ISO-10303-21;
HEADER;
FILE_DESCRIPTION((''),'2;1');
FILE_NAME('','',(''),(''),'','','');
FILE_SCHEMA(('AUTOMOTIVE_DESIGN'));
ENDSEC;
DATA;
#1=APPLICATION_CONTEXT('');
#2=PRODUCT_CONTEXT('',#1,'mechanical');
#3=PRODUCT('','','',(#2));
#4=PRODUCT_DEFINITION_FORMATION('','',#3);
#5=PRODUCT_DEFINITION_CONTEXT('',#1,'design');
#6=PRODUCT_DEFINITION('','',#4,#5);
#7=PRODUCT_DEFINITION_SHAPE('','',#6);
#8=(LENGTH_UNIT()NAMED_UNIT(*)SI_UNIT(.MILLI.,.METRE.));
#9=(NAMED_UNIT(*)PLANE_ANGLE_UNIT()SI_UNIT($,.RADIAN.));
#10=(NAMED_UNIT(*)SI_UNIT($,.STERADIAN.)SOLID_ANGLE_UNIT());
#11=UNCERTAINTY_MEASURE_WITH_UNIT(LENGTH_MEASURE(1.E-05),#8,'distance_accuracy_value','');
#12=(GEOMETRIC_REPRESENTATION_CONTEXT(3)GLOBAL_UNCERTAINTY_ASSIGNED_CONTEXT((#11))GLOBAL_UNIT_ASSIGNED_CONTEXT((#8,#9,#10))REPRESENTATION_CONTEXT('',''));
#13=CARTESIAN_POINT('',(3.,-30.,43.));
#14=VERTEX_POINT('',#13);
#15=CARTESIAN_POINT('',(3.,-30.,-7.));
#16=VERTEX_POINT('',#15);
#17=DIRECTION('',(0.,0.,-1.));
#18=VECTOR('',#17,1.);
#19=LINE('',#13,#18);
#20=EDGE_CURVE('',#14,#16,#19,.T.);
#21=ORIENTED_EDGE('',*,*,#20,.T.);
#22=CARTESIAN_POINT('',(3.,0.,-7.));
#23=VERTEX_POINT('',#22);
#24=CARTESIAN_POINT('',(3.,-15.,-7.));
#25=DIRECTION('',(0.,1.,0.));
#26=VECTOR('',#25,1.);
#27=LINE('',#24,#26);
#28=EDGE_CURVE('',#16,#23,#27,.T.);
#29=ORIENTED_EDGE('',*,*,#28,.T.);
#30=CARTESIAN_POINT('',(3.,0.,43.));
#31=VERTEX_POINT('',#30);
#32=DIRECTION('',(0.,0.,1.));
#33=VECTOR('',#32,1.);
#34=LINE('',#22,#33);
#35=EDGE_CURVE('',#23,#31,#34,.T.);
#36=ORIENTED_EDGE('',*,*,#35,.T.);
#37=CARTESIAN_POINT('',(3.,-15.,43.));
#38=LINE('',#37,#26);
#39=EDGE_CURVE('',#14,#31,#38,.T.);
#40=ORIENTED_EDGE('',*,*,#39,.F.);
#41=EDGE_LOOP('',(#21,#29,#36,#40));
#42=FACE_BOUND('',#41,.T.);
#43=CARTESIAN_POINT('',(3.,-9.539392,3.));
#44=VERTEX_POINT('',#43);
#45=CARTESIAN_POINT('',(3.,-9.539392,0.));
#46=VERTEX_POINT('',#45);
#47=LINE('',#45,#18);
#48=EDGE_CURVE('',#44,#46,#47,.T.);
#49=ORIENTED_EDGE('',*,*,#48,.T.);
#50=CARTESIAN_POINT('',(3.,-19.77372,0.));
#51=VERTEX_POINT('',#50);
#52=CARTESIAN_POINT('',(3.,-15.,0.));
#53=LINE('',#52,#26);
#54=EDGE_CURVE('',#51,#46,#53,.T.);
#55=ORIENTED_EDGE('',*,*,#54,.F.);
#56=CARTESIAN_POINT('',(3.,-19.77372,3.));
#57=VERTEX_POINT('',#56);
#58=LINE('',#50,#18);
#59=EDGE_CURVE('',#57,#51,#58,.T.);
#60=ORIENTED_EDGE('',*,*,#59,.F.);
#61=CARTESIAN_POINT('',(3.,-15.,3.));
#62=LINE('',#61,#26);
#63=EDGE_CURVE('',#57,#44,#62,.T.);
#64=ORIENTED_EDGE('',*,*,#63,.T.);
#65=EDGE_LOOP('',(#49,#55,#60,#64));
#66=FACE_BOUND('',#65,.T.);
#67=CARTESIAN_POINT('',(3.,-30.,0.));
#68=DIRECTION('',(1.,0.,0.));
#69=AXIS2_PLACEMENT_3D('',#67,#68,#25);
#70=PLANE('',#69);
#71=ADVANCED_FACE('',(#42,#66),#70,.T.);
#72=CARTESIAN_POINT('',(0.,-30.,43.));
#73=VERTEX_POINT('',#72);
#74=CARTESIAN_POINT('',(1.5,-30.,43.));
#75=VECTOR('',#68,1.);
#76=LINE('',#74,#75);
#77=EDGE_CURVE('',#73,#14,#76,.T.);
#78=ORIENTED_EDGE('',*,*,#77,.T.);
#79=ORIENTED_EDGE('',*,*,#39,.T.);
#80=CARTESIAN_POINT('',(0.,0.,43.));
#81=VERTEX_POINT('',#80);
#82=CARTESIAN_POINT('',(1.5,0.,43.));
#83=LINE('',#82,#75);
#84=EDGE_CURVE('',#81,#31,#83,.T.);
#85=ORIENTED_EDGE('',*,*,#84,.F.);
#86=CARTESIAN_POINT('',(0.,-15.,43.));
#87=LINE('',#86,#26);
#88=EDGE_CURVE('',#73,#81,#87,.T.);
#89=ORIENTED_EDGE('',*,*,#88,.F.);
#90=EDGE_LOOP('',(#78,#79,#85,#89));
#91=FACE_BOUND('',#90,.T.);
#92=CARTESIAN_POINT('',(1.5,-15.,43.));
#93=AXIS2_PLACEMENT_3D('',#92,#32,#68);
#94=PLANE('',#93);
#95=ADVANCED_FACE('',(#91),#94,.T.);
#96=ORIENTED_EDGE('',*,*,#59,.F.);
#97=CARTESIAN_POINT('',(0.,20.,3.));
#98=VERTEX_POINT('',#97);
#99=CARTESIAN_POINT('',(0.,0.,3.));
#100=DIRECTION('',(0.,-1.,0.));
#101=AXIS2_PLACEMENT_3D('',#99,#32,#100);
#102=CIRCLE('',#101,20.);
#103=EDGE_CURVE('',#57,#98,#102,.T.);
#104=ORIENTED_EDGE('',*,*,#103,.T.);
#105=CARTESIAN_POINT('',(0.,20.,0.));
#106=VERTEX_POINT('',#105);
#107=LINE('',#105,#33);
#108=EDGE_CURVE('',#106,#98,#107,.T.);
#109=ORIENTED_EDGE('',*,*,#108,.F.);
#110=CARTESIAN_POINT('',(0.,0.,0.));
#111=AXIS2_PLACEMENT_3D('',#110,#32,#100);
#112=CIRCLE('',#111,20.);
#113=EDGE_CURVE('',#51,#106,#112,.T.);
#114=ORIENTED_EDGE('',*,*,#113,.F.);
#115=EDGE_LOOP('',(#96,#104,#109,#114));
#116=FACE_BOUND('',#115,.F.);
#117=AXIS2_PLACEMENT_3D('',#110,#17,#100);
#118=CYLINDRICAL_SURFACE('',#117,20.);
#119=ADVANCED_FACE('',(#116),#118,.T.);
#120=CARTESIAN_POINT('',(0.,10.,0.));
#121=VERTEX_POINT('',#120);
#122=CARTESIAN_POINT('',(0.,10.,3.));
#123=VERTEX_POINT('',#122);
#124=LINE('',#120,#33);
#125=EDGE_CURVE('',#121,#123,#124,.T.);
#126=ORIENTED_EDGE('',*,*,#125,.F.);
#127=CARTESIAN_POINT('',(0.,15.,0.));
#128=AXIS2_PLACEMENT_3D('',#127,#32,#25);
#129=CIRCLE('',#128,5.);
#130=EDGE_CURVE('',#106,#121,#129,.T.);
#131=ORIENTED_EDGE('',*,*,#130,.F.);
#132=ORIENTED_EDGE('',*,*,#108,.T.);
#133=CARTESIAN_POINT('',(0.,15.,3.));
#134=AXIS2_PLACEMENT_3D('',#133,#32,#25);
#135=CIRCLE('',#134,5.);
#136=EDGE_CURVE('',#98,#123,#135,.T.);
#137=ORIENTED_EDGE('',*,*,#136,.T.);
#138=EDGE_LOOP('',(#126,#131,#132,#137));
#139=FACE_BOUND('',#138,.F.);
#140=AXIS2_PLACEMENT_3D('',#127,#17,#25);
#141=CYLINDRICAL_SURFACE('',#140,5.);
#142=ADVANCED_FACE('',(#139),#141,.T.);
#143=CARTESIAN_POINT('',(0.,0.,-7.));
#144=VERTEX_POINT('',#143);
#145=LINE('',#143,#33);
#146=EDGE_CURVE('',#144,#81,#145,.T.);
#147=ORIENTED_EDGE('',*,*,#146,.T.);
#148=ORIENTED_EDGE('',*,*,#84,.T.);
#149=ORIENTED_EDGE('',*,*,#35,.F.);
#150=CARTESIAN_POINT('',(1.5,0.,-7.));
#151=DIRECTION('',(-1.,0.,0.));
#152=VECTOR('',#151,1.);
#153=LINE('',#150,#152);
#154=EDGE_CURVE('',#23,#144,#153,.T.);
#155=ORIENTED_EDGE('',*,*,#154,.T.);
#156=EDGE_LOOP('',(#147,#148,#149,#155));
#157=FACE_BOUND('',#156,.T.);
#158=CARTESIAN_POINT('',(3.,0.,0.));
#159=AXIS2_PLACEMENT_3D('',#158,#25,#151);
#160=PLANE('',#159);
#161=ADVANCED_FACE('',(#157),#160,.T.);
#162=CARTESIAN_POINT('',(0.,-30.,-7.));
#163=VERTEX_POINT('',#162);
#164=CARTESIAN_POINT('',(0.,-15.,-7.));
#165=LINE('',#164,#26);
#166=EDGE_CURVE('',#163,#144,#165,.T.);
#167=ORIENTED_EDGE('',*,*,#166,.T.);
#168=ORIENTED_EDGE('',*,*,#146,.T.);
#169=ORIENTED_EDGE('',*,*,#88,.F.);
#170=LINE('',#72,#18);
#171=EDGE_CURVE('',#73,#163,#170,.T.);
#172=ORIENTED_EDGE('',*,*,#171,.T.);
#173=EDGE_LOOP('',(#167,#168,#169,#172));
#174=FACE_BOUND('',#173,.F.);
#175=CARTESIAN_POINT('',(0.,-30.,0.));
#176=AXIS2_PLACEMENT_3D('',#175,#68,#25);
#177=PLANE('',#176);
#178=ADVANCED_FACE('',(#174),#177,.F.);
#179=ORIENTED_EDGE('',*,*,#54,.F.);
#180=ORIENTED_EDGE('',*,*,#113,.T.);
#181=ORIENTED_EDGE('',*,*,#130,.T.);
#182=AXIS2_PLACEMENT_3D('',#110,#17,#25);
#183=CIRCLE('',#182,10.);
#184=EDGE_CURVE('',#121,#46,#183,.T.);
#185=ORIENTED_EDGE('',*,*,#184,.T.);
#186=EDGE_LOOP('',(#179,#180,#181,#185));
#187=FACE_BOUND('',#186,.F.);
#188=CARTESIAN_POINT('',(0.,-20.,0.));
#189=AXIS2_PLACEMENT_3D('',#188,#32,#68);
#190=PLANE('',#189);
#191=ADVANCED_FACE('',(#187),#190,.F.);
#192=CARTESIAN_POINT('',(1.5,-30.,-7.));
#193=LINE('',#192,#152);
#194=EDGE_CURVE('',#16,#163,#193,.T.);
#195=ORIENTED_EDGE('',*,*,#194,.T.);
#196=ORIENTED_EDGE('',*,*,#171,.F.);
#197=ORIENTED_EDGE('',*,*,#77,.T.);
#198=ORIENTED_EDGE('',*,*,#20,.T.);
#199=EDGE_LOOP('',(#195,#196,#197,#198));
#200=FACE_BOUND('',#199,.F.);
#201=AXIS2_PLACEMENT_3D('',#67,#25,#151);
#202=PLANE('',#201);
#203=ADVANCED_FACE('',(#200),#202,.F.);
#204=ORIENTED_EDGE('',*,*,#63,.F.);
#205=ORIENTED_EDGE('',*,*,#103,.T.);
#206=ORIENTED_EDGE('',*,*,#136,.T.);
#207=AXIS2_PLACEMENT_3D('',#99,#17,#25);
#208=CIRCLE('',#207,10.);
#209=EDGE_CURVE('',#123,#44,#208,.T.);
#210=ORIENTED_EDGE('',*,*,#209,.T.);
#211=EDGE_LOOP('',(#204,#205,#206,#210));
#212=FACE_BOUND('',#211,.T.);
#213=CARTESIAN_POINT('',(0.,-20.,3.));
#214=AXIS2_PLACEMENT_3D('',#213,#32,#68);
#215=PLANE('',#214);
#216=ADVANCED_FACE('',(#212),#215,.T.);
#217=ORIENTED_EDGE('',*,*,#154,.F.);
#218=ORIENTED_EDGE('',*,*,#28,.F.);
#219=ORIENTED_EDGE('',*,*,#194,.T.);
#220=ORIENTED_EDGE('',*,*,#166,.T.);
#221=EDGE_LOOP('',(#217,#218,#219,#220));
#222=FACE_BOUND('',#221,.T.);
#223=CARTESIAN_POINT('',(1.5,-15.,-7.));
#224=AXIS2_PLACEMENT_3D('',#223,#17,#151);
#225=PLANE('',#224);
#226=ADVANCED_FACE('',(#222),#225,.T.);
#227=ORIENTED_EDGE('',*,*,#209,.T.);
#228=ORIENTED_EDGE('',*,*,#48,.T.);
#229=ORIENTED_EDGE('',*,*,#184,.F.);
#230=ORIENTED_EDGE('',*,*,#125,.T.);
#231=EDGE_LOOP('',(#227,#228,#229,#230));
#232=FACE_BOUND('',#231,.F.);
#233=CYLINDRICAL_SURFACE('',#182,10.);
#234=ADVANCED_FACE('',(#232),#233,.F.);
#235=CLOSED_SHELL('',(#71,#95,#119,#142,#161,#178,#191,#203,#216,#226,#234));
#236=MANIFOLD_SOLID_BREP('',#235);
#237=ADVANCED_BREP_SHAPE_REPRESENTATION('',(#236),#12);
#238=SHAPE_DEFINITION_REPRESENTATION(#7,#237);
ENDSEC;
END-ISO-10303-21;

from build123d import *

# Parameters (mm, degrees)
BOSS_EXTRUDE1_DEPTH = 3
SKETCH2_W           = 3
SKETCH2_H           = 10
BOSS_EXTRUDE2_DEPTH = 3
SKETCH3_W           = 3
SKETCH3_H           = 3
BOSS_EXTRUDE3_DEPTH = 20
SKETCH4_W           = 3
SKETCH4_H           = 3
BOSS_EXTRUDE4_DEPTH = 10
SKETCH5_W           = 3
SKETCH5_H           = 30
BOSS_EXTRUDE5_DEPTH = 40
SKETCH6_W           = 3
SKETCH6_H           = 30
BOSS_EXTRUDE6_DEPTH = 7


with BuildPart() as part:
    # Sketch1 → Boss-Extrude1 (new body)
    with BuildSketch(Plane.XY):
        with BuildLine():
            ThreePointArc((0, 20), (-5, 15), (0, 10))
            ThreePointArc((0, 10), (10, 0), (0, -10))
            Line((0, -10), (0, -20))
            ThreePointArc((0, -20), (20, 0), (0, 20))
        make_face()
    extrude(amount=BOSS_EXTRUDE1_DEPTH)

    # Sketch2 → Boss-Extrude2 (add)
    with BuildSketch(Plane.ZY):
        with Locations((1.5, -15)):
            Rectangle(SKETCH2_W, SKETCH2_H)
    extrude(amount=-BOSS_EXTRUDE2_DEPTH)

    # Sketch3 → Boss-Extrude3 (add)
    with BuildSketch(Plane(origin=(0, -20, 0), x_dir=(-1, 0, 0), z_dir=(0, -1, 0))):
        with Locations((-1.5, -1.5)):
            Rectangle(SKETCH3_W, SKETCH3_H)
    extrude(amount=-BOSS_EXTRUDE3_DEPTH)

    # Sketch4 → Boss-Extrude4 (add)
    with BuildSketch(Plane.XZ.offset(20)):
        with Locations((1.5, 1.5)):
            Rectangle(SKETCH4_W, SKETCH4_H)
    extrude(amount=BOSS_EXTRUDE4_DEPTH)

    # Sketch5 → Boss-Extrude5 (add)
    with BuildSketch(Plane.XY.offset(3)):
        with Locations((1.5, -15)):
            Rectangle(SKETCH5_W, SKETCH5_H)
    extrude(amount=BOSS_EXTRUDE5_DEPTH)

    # Sketch6 → Boss-Extrude6 (add)
    with BuildSketch(Plane(origin=(0, 0, 0), x_dir=(-1, 0, 0), z_dir=(0, 0, -1))):
        with Locations((-1.5, -15)):
            Rectangle(SKETCH6_W, SKETCH6_H)
    extrude(amount=BOSS_EXTRUDE6_DEPTH)


solid = part.part
